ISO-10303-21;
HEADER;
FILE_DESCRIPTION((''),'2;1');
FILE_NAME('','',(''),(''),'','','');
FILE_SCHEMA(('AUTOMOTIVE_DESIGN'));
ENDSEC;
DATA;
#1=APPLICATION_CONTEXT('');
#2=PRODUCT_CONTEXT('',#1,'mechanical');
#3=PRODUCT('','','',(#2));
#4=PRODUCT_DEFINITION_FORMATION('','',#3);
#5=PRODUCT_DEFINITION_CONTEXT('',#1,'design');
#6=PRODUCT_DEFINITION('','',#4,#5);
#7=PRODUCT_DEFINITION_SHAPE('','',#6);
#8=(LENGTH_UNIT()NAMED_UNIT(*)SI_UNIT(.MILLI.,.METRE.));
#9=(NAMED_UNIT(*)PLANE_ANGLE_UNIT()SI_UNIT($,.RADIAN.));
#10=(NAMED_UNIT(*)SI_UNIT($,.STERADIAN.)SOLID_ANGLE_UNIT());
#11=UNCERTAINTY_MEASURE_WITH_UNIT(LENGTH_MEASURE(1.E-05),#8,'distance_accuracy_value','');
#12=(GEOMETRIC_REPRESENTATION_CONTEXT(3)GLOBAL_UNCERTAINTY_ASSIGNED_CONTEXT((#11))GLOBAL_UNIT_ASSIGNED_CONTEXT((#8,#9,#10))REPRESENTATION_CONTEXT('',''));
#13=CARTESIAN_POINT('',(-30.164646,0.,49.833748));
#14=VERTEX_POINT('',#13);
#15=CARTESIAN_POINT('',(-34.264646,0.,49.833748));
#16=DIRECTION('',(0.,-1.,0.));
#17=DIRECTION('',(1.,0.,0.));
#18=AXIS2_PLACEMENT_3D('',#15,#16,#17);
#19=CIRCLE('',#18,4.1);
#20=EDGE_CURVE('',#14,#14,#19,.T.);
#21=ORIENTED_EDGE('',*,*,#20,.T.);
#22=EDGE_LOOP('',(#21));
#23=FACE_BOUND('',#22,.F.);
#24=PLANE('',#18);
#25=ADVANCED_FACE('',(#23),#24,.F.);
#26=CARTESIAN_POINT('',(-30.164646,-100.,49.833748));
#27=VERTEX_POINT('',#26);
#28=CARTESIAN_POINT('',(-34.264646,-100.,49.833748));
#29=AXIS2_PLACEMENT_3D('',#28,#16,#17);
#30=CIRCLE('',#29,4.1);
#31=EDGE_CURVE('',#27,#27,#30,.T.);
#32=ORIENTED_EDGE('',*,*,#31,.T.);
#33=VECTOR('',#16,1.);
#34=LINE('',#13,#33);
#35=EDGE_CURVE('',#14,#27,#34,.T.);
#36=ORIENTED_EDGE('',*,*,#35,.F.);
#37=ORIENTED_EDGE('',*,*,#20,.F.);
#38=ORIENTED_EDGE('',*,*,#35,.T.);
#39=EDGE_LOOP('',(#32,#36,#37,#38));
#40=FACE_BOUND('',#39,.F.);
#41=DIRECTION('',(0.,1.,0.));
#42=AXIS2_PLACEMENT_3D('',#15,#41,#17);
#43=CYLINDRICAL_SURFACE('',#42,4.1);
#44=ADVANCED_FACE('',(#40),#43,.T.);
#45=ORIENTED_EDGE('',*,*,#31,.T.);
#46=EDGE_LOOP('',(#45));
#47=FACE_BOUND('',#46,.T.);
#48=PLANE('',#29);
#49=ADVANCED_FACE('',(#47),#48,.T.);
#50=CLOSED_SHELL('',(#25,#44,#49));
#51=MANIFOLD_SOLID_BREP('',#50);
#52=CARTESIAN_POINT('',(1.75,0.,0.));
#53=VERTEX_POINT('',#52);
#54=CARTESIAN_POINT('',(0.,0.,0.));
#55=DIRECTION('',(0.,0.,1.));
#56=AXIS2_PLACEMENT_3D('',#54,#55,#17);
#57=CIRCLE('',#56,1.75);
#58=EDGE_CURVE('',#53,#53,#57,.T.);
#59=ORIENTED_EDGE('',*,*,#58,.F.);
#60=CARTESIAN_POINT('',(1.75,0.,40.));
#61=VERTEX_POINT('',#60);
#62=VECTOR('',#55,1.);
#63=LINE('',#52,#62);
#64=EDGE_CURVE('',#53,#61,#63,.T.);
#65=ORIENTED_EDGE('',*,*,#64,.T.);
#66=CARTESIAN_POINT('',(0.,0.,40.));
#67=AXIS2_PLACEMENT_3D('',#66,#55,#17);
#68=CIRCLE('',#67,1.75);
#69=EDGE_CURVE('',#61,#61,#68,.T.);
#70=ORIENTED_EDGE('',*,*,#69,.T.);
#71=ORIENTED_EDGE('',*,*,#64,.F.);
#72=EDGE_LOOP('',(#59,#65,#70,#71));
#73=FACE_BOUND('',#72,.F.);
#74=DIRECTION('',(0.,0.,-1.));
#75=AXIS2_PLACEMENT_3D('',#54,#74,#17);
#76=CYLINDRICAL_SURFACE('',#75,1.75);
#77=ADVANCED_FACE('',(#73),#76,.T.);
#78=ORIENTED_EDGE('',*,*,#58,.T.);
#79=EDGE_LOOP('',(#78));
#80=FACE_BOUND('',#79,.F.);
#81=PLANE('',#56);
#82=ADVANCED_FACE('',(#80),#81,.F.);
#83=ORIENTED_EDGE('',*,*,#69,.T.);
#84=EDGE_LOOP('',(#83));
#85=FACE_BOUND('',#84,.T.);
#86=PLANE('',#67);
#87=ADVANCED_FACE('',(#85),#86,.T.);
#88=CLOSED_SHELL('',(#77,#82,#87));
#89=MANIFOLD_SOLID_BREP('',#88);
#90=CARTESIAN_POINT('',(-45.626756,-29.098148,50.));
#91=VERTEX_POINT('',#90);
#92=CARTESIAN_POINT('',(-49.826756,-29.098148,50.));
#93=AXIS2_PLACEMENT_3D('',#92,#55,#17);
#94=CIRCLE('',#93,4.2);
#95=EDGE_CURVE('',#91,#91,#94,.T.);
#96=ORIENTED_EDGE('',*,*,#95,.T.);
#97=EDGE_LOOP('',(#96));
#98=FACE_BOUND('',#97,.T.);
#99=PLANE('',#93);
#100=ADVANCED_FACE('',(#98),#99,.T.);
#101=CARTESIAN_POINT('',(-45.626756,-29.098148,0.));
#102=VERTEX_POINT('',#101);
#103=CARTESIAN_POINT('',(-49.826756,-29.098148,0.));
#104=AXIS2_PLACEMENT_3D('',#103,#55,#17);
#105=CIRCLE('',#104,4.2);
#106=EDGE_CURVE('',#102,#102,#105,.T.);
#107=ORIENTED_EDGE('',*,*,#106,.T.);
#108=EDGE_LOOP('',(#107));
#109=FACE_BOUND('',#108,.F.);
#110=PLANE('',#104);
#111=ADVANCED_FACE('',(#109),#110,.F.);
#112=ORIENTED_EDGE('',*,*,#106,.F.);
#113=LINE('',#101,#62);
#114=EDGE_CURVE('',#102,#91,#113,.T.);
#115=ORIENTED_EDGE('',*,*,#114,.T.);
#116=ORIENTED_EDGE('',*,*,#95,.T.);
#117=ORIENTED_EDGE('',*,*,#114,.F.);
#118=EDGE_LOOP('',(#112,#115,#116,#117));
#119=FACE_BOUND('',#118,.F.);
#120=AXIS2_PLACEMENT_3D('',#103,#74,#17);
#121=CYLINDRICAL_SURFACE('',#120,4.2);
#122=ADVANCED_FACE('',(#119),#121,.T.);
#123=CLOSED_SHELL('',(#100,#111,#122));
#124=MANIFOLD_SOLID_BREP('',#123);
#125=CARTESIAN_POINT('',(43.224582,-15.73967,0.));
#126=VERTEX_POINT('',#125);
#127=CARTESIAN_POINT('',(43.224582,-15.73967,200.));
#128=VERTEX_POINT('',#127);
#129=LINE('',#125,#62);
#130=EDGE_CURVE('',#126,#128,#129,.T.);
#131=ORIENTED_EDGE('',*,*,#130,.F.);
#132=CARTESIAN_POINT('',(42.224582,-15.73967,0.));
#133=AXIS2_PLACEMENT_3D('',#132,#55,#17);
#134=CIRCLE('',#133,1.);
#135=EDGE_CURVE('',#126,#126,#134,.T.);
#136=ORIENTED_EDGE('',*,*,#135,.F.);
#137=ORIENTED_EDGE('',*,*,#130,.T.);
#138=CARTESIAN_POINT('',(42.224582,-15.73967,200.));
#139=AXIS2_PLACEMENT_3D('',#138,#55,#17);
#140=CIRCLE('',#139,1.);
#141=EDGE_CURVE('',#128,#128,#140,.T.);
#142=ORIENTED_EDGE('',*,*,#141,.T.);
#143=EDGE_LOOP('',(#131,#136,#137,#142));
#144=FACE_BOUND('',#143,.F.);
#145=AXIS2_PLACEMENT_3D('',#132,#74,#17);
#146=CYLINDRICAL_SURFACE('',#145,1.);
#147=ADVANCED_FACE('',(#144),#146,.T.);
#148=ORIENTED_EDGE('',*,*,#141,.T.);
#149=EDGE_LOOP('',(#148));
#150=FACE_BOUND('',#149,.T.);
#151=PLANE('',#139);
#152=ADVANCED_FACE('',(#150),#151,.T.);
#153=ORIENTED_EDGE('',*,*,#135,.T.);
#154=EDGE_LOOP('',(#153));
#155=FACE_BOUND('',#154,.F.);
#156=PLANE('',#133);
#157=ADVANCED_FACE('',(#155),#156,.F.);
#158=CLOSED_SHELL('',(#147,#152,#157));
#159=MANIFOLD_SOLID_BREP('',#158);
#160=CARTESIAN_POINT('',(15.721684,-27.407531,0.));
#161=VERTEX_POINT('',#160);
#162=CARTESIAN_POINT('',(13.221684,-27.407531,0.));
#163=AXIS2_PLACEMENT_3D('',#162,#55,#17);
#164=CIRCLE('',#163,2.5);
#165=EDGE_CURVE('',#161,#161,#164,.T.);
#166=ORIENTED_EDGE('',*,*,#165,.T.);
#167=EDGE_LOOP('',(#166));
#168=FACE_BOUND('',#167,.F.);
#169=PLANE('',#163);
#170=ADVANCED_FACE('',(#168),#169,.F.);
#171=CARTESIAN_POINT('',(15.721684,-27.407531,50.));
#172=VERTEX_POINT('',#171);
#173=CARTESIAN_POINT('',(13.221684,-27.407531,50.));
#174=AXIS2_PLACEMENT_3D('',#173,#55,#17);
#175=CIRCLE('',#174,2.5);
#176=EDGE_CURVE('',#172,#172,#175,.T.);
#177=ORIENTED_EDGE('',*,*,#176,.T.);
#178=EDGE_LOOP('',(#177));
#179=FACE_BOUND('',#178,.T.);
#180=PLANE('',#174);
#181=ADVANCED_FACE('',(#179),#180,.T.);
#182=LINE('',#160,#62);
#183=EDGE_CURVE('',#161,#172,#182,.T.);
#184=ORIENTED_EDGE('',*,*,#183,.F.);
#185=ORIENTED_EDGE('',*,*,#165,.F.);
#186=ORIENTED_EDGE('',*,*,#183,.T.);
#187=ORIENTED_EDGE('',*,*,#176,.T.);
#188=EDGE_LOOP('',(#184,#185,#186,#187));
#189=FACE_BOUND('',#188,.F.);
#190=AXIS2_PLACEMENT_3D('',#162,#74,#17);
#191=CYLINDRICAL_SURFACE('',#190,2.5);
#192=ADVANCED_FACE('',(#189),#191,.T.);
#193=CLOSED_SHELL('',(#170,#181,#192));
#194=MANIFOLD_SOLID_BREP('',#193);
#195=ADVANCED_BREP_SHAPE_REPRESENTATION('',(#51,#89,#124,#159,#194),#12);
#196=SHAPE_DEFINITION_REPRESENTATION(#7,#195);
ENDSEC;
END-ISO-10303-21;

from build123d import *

# Parameters (mm, degrees)
F0_R     = 1.75
F1_DEPTH = 40
F2_R     = 2.5
F3_DEPTH = 50
F4_R     = 4.2
F5_DEPTH = 50
F6_R     = 1
F7_DEPTH = 200
F8_R     = 4.1
F9_DEPTH = 100


with BuildPart() as f1:
    # F0 (on Top) → F1 (new body)
    with BuildSketch(Plane.XY):
        Circle(F0_R)
    extrude(amount=F1_DEPTH)


with BuildPart() as f3:
    # F2 (on Top) → F3 (new body)
    with BuildSketch(Plane.XY):
        with Locations((13.221684, -27.407531)):
            Circle(F2_R)
    extrude(amount=F3_DEPTH)


with BuildPart() as f5:
    # F4 (on Top) → F5 (new body)
    with BuildSketch(Plane.XY):
        with Locations((-49.826756, -29.098148)):
            Circle(F4_R)
    extrude(amount=F5_DEPTH)


with BuildPart() as f7:
    # F6 (on Top) → F7 (new body)
    with BuildSketch(Plane.XY):
        with Locations((42.224582, -15.73967)):
            Circle(F6_R)
    extrude(amount=F7_DEPTH)


with BuildPart() as f9:
    # F8 (on Front) → F9 (new body)
    with BuildSketch(Plane.XZ):
        with Locations((-34.264646, 49.833748)):
            Circle(F8_R)
    extrude(amount=F9_DEPTH)


solid = Compound([f1.part, f3.part, f5.part, f7.part, f9.part])
